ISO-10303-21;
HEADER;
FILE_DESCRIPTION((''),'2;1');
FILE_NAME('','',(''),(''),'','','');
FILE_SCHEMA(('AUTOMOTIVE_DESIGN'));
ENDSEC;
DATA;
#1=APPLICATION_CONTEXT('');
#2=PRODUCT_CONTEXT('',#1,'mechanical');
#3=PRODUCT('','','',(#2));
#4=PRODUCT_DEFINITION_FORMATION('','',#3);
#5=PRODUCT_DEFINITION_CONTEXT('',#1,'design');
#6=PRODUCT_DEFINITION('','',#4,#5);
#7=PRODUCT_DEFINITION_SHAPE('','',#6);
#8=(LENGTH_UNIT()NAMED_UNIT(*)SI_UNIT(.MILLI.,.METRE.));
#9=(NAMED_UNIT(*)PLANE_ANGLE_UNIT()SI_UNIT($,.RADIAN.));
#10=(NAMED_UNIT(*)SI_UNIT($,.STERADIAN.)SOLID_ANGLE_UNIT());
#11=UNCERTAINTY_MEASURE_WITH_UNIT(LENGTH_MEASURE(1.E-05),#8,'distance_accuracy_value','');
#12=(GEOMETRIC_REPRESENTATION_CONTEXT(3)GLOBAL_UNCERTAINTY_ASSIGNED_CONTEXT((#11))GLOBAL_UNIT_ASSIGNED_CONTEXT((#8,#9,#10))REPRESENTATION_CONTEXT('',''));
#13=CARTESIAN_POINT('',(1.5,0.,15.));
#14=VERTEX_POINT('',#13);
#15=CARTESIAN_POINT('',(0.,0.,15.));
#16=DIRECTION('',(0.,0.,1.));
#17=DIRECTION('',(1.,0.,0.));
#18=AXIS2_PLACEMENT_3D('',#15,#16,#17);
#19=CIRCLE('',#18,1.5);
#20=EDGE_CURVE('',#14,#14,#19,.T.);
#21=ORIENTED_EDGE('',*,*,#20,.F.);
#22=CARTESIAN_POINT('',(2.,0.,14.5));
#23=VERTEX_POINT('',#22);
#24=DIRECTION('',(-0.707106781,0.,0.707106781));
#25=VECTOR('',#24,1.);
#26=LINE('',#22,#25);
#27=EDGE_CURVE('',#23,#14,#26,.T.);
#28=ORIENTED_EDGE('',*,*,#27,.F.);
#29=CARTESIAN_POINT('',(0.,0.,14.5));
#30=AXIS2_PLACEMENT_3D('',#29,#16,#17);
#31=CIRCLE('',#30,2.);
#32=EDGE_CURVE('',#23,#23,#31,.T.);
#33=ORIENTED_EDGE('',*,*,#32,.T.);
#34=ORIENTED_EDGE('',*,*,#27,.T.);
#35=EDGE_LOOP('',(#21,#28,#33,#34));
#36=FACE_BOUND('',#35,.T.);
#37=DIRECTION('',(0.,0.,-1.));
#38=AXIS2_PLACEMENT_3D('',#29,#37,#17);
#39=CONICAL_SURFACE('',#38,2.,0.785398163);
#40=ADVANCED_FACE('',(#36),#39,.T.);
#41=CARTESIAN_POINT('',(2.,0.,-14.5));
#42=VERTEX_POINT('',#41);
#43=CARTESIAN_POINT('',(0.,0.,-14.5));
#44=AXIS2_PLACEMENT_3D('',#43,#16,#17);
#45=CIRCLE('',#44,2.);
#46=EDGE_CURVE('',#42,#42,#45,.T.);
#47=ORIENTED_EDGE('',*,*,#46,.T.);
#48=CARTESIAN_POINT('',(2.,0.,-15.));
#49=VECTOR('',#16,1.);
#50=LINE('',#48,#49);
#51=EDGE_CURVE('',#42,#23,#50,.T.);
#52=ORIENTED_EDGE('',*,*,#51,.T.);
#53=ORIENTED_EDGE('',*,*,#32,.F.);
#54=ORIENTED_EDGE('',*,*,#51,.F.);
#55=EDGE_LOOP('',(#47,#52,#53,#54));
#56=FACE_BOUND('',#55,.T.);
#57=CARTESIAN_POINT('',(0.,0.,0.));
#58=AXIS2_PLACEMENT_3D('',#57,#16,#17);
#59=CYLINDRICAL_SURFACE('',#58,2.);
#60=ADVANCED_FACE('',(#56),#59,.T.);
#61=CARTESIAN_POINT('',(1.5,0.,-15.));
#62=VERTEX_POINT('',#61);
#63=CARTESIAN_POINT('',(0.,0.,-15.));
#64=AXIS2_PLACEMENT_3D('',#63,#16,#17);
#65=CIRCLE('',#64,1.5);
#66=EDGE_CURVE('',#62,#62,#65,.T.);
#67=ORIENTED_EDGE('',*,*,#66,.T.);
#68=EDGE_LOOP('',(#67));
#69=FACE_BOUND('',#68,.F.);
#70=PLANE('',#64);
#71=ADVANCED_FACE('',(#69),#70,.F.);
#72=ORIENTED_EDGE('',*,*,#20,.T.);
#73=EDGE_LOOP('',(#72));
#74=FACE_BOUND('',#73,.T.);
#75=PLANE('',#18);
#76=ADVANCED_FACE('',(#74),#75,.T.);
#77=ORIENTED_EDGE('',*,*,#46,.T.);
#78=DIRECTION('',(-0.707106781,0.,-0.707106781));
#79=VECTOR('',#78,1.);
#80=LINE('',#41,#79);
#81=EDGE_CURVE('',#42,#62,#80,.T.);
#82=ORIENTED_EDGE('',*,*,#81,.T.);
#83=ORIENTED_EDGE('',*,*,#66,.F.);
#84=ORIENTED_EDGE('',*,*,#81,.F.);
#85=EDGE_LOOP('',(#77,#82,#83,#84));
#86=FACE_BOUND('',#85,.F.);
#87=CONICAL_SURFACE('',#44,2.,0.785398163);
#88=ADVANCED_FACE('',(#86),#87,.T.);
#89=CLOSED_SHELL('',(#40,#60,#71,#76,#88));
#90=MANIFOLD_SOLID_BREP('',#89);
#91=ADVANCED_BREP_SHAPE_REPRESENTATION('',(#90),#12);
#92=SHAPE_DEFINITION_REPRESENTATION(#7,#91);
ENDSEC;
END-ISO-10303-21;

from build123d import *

# Parameters (mm, degrees)
F0_R     = 2
F1_DEPTH = 15
F2_SIZE  = 0.5


with BuildPart() as f1:
    # F0 (on Top) → F1 (new body, symmetric)
    with BuildSketch(Plane.XY):
        Circle(F0_R)
    extrude(amount=F1_DEPTH, both=True)

    # F2
    f2_edges = [f1.edges().sort_by_distance(p)[0] for p in [
        (-2, 0, 15),
        (-2, 0, -15),
    ]]
    chamfer(f2_edges, length=F2_SIZE)


solid = f1.part
